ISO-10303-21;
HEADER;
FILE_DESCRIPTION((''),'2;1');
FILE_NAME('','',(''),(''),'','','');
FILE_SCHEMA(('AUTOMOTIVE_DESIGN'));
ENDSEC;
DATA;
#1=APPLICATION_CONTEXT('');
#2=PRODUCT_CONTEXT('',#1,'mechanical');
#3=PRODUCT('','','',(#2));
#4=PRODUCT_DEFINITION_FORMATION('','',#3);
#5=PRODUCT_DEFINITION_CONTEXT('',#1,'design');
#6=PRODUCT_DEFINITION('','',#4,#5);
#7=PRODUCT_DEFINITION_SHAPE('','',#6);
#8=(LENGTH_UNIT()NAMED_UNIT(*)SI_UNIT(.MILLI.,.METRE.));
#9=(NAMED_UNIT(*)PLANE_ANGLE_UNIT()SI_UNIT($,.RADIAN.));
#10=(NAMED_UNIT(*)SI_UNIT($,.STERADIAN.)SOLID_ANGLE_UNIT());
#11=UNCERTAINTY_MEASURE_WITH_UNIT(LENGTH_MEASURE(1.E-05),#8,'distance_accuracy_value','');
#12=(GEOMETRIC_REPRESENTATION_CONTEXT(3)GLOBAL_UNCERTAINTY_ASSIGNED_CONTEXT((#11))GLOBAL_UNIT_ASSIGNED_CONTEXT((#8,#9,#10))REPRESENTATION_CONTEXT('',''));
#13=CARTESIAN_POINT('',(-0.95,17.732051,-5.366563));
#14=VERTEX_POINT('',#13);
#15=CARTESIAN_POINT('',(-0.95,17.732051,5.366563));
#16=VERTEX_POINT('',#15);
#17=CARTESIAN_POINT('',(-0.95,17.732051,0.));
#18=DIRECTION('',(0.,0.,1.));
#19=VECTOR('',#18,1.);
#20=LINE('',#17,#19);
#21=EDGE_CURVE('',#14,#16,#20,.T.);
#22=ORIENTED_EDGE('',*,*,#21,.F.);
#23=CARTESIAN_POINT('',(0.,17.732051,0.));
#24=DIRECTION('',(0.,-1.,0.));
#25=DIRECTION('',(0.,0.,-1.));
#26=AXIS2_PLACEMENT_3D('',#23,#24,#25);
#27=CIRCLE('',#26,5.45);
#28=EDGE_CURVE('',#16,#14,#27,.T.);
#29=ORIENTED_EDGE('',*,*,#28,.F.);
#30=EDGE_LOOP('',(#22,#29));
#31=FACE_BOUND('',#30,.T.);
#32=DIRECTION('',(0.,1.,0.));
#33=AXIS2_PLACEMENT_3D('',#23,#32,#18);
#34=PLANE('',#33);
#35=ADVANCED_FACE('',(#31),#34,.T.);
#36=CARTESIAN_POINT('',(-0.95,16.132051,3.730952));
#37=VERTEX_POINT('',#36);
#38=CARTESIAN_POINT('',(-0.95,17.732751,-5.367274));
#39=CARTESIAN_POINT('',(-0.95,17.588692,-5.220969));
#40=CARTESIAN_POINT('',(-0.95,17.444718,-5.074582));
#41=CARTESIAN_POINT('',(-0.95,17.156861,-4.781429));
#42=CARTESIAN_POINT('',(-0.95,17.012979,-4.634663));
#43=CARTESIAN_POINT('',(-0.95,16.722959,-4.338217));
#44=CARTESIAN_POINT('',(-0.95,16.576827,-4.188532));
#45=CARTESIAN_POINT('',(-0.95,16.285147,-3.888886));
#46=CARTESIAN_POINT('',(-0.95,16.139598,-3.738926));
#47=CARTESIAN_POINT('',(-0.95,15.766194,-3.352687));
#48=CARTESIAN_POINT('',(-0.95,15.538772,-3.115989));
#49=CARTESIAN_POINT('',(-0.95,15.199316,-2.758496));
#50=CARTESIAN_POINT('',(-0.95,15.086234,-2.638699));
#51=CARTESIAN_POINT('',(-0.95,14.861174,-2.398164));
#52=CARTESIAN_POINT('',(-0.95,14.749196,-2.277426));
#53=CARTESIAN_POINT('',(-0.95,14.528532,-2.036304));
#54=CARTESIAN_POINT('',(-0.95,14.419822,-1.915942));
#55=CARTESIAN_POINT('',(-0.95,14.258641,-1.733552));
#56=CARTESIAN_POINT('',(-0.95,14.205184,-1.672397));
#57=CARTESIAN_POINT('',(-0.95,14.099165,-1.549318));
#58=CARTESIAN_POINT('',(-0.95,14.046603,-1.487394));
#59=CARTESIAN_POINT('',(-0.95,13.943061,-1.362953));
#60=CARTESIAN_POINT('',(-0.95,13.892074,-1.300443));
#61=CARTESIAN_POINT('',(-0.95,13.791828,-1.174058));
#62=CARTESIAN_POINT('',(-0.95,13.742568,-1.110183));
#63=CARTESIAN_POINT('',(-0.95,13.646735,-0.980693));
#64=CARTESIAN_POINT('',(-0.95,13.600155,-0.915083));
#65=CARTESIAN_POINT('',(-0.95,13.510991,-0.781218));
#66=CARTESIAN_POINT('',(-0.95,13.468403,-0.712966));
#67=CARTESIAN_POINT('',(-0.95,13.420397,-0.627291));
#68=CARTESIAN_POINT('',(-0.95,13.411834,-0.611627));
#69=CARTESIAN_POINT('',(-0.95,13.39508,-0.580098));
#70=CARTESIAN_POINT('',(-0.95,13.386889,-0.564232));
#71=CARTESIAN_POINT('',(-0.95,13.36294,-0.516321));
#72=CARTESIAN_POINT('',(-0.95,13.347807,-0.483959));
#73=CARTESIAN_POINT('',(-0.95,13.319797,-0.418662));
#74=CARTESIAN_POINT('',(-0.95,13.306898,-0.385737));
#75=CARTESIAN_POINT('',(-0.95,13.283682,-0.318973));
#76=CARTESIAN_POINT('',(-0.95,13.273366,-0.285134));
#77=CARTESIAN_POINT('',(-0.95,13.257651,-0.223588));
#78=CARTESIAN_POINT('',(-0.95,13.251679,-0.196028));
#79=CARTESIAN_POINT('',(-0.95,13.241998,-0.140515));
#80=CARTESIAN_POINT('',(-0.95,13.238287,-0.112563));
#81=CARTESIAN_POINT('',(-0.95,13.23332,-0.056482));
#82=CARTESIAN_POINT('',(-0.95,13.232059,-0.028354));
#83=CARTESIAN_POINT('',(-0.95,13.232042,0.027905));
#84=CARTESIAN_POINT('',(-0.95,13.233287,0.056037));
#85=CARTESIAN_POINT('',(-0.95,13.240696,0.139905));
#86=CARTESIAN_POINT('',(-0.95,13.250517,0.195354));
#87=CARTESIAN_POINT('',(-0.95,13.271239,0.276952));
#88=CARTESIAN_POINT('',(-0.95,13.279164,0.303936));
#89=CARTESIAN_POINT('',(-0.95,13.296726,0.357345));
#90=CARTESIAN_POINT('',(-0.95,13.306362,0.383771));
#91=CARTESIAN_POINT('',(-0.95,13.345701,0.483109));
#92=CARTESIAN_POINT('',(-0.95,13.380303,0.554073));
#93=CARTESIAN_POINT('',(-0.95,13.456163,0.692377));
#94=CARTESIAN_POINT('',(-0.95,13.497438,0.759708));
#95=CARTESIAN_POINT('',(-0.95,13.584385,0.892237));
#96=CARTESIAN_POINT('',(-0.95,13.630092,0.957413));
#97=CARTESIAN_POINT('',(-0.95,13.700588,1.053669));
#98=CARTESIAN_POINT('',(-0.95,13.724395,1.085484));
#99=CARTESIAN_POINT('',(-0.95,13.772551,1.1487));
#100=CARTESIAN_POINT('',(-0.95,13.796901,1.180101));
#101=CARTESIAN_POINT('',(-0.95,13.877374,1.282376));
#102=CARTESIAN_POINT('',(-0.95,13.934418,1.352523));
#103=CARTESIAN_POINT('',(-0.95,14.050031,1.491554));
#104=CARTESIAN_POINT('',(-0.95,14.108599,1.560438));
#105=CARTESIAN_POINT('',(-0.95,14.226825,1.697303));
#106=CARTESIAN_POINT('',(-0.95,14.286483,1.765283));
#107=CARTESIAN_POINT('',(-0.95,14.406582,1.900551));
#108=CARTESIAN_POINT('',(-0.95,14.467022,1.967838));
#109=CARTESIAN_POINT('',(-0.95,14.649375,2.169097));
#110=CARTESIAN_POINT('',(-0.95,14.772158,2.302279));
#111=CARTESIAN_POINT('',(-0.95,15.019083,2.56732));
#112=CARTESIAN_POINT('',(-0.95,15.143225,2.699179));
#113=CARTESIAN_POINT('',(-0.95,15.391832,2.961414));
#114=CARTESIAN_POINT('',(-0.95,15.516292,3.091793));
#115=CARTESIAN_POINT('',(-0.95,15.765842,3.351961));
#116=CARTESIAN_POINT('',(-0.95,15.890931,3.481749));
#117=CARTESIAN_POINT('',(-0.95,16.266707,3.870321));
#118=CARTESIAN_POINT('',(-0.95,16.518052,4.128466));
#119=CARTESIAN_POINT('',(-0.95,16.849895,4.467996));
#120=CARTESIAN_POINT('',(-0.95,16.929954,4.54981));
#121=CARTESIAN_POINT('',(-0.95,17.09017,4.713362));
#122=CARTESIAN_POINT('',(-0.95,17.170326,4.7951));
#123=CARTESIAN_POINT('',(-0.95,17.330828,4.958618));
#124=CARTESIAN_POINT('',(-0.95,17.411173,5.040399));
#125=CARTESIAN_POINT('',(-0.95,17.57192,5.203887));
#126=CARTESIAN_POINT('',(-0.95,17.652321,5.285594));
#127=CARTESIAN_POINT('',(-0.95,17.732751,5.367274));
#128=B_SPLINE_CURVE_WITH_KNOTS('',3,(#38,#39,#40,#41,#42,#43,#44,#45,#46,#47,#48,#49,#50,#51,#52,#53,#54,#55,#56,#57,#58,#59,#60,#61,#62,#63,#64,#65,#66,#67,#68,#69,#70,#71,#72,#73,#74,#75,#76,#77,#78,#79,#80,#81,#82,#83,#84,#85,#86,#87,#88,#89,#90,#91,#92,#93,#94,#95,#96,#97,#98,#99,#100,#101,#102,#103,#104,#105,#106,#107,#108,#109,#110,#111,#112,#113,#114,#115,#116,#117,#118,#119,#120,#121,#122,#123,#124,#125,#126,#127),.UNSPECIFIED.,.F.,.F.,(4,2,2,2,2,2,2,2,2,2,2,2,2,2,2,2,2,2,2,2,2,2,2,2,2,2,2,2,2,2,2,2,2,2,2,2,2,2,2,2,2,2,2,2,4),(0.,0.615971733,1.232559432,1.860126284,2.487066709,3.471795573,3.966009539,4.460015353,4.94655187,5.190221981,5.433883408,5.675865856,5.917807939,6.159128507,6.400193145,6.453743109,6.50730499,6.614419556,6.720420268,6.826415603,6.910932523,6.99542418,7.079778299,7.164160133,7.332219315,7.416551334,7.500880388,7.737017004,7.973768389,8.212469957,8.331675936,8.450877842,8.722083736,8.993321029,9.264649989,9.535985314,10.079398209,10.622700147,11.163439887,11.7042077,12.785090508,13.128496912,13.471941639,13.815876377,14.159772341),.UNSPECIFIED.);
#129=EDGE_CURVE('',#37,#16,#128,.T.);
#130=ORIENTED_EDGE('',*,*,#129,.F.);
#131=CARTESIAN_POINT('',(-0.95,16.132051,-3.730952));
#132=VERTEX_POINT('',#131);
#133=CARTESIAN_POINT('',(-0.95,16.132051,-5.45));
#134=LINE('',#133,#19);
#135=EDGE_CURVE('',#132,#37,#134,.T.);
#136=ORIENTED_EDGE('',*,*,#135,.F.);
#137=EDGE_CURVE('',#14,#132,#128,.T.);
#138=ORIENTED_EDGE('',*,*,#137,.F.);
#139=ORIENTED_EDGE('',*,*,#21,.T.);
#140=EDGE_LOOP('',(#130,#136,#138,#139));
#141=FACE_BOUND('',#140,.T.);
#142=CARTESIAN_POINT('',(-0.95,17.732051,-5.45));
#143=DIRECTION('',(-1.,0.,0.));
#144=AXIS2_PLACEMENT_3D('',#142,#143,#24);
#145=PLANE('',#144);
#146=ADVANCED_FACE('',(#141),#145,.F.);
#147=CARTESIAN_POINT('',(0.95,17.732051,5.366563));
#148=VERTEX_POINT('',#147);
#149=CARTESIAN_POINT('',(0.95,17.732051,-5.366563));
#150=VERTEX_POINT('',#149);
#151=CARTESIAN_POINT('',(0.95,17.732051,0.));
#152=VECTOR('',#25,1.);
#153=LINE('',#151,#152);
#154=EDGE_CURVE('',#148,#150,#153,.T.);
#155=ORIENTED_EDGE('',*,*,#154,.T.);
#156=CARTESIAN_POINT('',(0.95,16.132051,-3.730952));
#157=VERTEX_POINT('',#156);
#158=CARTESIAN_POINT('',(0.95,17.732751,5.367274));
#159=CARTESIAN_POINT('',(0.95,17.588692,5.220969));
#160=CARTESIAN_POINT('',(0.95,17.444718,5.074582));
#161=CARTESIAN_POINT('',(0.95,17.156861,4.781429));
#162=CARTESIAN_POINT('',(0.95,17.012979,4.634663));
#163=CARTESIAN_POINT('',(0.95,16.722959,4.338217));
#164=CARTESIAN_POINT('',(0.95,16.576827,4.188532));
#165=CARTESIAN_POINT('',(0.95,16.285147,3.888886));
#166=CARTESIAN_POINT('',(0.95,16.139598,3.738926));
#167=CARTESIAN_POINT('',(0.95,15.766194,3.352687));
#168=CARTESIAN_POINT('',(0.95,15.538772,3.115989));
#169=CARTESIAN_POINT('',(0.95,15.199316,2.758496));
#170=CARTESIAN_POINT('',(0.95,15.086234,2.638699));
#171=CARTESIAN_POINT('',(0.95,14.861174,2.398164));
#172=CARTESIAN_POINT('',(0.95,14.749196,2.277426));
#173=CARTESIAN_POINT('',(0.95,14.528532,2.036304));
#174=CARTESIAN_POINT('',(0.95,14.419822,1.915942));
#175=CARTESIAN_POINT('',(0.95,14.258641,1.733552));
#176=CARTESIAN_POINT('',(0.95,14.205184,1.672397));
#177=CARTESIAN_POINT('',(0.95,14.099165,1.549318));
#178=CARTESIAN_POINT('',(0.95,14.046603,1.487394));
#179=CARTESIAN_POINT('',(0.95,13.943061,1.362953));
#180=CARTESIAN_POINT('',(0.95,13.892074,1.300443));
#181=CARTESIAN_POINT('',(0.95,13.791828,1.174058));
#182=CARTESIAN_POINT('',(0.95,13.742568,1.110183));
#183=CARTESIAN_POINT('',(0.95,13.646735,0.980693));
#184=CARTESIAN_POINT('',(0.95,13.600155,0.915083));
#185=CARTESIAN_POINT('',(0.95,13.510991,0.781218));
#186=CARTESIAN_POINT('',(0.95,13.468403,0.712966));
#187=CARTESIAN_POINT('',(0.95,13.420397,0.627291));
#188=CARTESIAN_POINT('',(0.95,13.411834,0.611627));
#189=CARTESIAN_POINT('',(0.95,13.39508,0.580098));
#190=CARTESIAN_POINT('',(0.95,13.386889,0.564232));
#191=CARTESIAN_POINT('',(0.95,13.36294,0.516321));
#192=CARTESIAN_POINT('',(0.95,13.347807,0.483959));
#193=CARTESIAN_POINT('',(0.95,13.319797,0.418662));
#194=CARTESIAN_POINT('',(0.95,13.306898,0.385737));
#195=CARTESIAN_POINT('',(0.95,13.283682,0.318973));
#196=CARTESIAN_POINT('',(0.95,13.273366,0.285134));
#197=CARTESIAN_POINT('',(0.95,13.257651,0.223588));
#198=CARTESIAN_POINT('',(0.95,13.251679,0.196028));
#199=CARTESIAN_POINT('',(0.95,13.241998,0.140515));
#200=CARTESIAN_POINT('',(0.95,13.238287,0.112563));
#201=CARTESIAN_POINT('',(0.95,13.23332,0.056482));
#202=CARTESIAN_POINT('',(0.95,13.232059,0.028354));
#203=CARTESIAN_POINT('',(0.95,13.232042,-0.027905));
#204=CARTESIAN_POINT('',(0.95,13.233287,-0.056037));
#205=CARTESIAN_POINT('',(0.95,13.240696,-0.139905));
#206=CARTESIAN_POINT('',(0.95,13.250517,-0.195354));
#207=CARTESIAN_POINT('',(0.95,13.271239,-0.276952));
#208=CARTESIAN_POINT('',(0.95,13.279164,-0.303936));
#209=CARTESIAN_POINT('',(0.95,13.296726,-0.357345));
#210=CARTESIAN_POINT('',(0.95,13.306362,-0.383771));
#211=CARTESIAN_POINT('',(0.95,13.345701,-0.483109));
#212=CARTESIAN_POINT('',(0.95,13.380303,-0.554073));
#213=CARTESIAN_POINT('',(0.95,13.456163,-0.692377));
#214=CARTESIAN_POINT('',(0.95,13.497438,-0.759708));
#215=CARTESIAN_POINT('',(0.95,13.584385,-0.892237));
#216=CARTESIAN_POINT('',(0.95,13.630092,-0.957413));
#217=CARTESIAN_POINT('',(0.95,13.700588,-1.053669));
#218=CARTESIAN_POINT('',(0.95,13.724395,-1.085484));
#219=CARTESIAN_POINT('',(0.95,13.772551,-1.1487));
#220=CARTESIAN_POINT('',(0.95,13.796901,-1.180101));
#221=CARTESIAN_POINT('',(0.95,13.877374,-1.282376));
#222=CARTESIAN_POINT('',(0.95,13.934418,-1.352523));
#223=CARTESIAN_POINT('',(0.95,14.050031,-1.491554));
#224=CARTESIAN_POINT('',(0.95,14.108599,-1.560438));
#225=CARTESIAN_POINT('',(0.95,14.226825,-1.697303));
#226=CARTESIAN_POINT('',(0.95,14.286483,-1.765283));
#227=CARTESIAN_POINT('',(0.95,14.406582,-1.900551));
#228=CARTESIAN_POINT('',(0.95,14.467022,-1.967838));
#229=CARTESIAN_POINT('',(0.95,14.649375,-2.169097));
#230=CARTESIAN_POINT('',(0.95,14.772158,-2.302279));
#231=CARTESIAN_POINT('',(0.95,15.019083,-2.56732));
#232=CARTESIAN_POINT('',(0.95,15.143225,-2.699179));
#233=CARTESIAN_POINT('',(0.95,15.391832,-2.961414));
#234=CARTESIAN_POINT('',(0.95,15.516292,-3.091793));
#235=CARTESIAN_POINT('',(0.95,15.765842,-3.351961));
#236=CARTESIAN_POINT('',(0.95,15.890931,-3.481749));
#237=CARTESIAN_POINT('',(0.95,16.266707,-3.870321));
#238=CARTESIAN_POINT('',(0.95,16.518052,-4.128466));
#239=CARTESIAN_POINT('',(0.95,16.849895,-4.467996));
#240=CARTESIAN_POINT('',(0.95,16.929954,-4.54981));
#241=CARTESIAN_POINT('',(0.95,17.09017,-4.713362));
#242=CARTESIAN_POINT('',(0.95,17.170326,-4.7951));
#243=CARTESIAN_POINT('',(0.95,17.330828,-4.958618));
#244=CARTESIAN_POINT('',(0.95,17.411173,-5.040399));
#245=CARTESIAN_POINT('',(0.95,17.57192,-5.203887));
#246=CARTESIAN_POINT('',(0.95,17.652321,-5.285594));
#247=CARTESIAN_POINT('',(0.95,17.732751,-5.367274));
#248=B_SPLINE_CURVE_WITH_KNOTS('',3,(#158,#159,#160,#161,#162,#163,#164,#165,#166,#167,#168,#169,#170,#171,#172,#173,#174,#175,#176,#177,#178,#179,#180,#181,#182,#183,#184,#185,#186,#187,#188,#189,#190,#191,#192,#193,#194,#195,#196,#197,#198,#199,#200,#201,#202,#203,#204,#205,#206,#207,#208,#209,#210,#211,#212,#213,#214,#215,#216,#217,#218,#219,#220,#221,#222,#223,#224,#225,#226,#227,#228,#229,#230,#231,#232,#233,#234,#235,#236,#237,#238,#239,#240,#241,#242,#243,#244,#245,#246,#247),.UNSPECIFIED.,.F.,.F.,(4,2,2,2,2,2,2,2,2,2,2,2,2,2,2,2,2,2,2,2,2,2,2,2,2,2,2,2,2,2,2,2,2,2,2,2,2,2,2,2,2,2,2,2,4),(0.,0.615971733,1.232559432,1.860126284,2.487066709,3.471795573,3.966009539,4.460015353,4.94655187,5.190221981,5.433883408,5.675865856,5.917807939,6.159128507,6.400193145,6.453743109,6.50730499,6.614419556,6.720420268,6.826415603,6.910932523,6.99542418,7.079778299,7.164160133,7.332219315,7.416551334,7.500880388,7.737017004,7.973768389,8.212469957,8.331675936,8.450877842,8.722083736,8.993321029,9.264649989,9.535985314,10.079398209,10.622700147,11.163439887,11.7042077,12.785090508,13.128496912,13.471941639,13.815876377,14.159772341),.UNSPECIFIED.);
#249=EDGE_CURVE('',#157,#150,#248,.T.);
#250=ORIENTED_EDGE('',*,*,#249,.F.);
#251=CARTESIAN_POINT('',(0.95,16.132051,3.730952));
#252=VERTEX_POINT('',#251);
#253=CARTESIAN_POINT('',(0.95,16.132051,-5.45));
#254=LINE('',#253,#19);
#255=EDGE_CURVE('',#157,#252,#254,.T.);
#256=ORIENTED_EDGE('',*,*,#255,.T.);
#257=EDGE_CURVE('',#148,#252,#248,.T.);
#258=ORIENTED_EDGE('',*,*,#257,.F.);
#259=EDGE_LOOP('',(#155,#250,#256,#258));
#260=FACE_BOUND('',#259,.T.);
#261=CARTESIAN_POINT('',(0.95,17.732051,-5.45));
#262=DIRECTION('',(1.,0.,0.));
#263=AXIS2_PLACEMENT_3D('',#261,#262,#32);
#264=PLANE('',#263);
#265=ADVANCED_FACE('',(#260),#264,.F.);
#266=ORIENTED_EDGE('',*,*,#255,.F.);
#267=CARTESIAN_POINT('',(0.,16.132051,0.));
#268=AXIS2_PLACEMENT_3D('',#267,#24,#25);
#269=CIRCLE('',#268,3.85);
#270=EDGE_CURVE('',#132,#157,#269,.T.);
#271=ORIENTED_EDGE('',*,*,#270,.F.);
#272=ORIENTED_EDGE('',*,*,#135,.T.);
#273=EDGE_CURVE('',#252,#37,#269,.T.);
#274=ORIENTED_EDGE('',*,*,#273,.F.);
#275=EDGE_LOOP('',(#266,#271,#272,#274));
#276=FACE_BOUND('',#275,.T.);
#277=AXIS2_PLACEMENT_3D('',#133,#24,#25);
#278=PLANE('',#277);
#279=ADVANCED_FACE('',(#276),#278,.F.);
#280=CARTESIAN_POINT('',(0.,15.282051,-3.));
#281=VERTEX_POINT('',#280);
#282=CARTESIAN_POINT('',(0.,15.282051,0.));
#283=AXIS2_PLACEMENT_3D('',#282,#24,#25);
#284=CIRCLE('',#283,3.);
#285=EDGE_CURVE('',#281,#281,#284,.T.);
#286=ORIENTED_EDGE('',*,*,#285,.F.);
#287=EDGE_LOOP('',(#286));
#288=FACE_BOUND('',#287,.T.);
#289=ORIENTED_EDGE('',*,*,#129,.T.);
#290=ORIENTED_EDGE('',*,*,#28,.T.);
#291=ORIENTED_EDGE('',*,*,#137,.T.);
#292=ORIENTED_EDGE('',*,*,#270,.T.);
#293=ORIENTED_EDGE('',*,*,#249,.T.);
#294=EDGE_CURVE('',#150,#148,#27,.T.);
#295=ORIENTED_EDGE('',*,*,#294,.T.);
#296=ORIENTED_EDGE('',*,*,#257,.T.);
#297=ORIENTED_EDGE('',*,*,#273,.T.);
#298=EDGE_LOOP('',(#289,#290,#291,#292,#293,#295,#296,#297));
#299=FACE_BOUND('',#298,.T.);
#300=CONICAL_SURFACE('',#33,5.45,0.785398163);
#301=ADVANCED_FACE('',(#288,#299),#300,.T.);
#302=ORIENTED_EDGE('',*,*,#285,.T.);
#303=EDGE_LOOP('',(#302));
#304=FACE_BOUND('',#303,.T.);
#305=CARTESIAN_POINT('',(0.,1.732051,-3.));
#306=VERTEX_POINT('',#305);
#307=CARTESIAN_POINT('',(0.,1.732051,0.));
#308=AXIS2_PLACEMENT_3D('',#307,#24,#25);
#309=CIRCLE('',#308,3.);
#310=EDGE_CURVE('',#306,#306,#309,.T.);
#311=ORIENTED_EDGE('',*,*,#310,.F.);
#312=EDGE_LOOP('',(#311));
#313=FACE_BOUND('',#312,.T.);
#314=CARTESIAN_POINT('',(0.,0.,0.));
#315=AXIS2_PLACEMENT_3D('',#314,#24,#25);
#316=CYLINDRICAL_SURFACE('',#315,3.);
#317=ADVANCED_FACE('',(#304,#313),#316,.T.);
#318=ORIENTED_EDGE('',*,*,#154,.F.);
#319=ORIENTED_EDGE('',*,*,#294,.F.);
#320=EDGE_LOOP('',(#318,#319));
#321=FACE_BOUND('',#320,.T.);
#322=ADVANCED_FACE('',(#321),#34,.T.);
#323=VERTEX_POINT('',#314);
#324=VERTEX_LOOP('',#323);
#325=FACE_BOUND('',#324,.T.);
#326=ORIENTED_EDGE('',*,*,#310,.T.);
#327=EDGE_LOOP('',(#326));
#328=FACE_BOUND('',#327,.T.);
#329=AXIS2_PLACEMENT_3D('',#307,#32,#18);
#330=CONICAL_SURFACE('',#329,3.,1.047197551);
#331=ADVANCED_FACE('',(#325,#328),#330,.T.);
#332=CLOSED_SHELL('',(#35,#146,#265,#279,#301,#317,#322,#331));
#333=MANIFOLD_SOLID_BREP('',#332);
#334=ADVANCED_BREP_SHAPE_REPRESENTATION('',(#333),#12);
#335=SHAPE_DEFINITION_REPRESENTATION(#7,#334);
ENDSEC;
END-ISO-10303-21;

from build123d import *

# Parameters (mm, degrees)
SKETCH2_W               = 1.9
SKETCH2_H               = 1.6
CUT_EXTRUDE1_DEPTH      = 6.45
CUT_EXTRUDE1_DEPTH_BACK = 6.45


with BuildPart() as part:
    # Sketch1 → Revolve1 (revolve)
    with BuildSketch(Plane.XY):
        Polygon((0, 0), (0, 17.732050808), (5.45, 17.732050808), (3, 15.282050808), (3, 1.732050808), align=None)
    revolve(axis=Axis((0, 0, 0), (0, 1, 0)))

    # Sketch2 → Cut-Extrude1 (cut, two sides)
    with BuildSketch(Plane.XY) as cut_extrude1_sk:
        with Locations((0, 16.932050808)):
            Rectangle(SKETCH2_W, SKETCH2_H)
    extrude(amount=CUT_EXTRUDE1_DEPTH, mode=Mode.SUBTRACT)
    extrude(cut_extrude1_sk.sketch, amount=-CUT_EXTRUDE1_DEPTH_BACK, mode=Mode.SUBTRACT)


solid = part.part
